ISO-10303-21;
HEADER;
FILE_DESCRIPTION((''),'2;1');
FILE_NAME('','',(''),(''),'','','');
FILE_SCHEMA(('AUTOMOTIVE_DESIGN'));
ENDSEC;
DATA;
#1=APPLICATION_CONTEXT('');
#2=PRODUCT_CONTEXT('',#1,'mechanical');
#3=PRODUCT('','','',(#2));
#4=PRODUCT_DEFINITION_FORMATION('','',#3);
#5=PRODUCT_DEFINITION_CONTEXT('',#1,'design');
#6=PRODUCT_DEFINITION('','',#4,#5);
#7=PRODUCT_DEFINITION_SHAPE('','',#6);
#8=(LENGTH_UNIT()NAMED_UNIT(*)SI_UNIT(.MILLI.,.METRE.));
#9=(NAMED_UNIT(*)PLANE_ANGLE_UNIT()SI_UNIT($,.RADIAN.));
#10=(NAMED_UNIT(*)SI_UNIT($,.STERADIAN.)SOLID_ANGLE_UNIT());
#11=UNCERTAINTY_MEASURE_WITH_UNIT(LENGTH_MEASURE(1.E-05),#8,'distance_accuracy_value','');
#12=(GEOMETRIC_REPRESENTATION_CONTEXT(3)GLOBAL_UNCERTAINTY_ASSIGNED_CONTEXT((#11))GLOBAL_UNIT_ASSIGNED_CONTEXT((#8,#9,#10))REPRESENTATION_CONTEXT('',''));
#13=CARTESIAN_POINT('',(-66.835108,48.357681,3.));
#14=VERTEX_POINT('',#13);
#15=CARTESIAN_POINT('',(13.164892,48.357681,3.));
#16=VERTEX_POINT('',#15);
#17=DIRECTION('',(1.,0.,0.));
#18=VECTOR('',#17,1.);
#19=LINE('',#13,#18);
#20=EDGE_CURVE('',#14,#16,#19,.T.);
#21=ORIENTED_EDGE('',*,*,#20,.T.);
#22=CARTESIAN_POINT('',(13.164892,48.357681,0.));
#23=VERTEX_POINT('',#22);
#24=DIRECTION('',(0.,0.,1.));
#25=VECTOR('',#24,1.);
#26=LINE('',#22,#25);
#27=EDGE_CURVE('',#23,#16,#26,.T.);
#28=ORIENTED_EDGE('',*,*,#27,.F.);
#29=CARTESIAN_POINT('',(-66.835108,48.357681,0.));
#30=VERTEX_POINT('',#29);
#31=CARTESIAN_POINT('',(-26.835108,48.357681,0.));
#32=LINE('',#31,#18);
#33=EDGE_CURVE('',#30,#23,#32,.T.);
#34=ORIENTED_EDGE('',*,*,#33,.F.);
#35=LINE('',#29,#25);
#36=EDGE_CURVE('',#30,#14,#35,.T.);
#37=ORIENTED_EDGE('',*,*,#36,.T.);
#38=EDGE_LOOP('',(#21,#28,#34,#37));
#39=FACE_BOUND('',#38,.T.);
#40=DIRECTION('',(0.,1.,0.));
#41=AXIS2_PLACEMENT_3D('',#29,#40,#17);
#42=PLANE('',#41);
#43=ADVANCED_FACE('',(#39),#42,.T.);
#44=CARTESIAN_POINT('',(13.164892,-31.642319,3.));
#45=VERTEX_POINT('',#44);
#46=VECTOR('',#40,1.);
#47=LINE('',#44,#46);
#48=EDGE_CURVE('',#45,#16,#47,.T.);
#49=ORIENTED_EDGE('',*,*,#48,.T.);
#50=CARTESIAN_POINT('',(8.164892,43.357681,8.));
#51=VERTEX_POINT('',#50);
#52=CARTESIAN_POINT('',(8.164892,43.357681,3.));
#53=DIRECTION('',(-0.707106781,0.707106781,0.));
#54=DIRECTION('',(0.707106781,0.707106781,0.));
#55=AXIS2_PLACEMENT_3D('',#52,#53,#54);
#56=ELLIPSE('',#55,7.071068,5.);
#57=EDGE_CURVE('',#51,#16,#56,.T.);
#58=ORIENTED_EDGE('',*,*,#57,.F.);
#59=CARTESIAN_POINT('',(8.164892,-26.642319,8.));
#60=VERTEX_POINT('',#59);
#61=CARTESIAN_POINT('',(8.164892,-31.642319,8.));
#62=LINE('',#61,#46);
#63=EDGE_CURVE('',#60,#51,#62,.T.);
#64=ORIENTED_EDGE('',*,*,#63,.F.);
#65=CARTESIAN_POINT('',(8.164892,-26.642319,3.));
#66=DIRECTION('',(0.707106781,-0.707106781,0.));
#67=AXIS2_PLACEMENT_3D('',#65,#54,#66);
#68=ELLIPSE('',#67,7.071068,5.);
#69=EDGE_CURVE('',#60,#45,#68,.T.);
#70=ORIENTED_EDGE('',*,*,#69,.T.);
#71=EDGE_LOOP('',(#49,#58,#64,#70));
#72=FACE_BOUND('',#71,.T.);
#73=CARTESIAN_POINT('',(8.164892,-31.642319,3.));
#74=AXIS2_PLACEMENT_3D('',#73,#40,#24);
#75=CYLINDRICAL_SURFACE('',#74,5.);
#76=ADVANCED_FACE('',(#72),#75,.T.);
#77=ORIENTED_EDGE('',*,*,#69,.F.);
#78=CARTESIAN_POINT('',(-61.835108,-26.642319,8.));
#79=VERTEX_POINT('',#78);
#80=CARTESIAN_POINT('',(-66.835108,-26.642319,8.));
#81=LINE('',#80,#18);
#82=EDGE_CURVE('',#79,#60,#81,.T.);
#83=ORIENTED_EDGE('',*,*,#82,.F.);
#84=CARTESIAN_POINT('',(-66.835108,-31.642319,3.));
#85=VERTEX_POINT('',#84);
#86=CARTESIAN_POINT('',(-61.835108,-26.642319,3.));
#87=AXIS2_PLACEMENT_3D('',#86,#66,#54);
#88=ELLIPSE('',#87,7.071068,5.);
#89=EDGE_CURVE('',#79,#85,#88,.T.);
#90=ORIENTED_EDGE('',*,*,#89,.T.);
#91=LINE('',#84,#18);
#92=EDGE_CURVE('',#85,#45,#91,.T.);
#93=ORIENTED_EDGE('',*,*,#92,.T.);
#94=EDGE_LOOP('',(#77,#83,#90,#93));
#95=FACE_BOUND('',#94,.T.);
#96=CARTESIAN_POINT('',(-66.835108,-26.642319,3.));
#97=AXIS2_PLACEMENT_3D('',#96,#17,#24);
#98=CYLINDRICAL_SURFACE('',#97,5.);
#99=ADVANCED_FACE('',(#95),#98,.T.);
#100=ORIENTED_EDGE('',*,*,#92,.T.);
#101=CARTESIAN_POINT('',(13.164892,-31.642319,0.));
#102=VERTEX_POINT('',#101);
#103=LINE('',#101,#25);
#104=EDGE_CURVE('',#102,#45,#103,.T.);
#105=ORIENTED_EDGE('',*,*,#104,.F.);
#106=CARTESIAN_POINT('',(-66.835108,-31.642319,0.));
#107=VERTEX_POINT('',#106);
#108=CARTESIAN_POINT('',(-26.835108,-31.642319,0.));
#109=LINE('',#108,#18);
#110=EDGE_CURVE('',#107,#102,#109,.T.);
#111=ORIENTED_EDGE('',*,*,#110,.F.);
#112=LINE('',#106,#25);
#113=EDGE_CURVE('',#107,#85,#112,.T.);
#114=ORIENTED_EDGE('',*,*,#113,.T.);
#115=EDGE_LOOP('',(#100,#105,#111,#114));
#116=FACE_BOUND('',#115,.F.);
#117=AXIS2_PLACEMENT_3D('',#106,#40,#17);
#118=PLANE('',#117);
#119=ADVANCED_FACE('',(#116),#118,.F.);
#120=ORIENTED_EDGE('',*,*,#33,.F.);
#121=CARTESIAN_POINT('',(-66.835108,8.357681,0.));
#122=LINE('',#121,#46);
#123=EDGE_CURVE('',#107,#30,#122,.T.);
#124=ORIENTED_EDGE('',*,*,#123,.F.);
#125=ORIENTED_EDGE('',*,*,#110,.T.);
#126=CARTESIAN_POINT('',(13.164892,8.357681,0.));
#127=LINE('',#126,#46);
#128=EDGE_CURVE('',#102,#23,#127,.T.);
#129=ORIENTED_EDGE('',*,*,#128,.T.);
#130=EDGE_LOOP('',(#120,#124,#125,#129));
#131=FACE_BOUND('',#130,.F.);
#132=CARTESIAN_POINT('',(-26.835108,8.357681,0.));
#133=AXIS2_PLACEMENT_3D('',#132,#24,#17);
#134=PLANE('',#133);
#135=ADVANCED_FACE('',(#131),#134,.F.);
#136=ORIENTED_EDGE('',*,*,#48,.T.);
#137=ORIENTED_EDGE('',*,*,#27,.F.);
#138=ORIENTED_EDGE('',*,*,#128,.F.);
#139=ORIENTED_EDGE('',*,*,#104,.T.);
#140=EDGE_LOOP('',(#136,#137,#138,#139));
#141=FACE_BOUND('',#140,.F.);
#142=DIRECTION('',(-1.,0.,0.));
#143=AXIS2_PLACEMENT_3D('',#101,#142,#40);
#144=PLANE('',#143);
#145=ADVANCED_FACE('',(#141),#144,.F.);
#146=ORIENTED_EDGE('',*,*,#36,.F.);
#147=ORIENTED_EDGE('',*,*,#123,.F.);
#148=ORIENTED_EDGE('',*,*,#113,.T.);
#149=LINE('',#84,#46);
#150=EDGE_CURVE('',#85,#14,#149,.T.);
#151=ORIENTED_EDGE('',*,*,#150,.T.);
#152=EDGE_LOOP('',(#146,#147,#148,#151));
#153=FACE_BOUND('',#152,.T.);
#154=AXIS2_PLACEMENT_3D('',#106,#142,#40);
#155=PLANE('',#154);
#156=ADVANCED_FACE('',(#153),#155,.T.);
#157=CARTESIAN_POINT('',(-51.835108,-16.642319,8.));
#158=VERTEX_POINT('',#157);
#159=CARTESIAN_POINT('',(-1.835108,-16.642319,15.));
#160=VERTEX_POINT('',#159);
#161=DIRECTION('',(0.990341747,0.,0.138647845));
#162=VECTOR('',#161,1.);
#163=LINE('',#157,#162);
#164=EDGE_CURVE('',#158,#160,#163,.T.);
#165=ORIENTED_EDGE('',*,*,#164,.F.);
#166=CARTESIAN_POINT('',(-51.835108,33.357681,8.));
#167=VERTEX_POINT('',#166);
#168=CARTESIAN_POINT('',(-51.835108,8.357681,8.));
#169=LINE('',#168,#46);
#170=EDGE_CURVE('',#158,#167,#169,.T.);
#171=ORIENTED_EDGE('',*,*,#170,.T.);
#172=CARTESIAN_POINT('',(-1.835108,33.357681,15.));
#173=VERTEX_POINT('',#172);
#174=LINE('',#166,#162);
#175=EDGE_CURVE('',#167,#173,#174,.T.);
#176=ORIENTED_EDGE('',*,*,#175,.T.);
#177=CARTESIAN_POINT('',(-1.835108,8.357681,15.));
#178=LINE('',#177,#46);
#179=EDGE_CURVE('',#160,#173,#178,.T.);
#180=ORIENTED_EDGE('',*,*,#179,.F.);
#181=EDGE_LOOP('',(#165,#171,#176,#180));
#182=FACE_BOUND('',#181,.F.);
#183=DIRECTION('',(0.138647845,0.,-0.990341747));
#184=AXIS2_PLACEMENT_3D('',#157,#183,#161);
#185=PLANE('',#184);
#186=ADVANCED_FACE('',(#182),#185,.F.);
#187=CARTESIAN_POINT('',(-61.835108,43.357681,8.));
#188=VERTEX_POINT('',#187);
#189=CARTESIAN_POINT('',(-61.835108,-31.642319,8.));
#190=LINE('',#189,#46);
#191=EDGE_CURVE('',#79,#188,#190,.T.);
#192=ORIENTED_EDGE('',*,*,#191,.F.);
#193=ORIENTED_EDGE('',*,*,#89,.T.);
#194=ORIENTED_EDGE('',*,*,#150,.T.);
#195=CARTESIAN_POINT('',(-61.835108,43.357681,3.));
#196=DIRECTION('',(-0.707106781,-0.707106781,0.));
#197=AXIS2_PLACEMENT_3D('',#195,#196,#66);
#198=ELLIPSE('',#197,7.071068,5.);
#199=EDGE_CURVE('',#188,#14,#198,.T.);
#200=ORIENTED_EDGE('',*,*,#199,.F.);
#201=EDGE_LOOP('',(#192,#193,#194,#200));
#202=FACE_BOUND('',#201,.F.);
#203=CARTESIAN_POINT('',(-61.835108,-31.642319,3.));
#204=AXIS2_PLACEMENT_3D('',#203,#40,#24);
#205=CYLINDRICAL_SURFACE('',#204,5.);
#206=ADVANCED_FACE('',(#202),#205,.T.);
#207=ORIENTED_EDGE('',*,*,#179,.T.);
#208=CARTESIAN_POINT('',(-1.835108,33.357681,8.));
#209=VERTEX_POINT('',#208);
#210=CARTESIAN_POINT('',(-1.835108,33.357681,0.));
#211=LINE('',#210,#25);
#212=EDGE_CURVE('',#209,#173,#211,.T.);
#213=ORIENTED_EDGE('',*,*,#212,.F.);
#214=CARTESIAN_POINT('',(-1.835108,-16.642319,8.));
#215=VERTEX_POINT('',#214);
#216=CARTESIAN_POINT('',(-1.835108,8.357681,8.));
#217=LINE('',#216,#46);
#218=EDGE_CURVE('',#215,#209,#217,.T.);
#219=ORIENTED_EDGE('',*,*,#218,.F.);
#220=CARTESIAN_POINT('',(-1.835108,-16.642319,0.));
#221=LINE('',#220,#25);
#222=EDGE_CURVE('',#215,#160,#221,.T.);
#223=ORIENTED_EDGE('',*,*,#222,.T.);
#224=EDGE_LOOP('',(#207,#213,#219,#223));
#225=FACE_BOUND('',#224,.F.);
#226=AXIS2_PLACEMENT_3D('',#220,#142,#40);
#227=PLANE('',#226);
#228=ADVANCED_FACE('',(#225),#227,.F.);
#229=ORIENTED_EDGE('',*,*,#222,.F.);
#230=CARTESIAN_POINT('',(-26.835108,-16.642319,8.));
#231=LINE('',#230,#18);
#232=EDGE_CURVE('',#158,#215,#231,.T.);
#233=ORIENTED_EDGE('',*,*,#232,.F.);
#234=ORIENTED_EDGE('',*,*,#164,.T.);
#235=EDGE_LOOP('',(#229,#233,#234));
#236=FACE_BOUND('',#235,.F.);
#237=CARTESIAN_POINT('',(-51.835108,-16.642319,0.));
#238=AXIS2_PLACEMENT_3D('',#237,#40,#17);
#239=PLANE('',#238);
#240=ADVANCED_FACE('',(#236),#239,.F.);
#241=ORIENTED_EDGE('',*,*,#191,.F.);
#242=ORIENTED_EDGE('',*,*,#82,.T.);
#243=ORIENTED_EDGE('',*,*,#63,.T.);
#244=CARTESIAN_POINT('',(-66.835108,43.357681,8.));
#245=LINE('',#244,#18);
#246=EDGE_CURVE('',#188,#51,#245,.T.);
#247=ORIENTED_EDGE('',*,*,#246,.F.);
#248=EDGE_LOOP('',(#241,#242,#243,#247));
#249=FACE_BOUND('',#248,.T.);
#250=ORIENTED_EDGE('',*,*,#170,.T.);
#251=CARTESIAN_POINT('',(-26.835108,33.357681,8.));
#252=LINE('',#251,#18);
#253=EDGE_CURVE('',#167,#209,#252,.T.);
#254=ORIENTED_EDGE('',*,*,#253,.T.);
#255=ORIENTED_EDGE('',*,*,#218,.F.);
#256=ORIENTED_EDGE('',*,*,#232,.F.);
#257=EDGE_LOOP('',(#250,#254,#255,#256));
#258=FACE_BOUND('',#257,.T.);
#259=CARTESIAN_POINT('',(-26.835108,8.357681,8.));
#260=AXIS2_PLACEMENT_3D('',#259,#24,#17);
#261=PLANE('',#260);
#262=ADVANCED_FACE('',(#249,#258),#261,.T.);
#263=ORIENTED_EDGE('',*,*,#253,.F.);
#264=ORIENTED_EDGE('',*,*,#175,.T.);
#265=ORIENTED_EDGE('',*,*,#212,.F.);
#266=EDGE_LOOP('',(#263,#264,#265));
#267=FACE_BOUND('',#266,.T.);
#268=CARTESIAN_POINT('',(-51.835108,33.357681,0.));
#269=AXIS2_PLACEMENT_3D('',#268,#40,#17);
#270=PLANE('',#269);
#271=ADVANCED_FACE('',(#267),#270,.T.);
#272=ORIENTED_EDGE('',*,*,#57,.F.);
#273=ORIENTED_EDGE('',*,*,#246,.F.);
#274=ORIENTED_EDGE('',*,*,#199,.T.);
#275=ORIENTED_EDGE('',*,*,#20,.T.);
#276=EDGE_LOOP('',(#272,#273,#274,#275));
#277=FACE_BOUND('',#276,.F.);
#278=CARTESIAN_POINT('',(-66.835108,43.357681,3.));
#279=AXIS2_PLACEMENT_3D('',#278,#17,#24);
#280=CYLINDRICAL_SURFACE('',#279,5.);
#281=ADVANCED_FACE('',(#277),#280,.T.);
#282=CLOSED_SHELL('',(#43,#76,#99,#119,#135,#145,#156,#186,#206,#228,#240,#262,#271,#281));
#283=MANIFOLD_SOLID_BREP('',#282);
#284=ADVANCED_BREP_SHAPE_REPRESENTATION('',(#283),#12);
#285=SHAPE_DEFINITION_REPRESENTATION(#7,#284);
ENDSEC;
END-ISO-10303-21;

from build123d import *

# Parameters (mm, degrees)
F0_W     = 80
F0_H     = 80
F0_W_2   = 50
F0_H_2   = 50
F1_DEPTH = 8
F2_DEPTH = 15
F4_DEPTH = 50
F5_R     = 5


with BuildPart() as f1:
    # F0 (on Top) → F1 (new body)
    with BuildSketch(Plane.XY):
        with Locations((-26.835108, 8.357681)):
            Rectangle(F0_W, F0_H)
        with Locations((-26.835108, 8.357681)):
            Rectangle(F0_W_2, F0_H_2, mode=Mode.SUBTRACT)
    extrude(amount=F1_DEPTH)

    # F0 (on Top) → F2 (join)
    with BuildSketch(Plane.XY):
        with Locations((-26.835108, 8.357681)):
            Rectangle(F0_W_2, F0_H_2)
    extrude(amount=F2_DEPTH)

    # F3 (on face) → F4 (cut, through all)
    with BuildSketch(Plane.XZ.offset(16.642319)):
        Polygon((-51.835108, 15), (-51.835108, 8), (-1.835108, 15), align=None)
    extrude(amount=-F4_DEPTH, mode=Mode.SUBTRACT)

    # F5
    f5_edges = [f1.edges().sort_by_distance(p)[0] for p in [
        (-26.835108, 48.357681, 8),
        (-66.835108, 8.357681, 8),
        (-26.835108, -31.642319, 8),
        (13.164892, 8.357681, 8),
    ]]
    fillet(f5_edges, radius=F5_R)


solid = f1.part
